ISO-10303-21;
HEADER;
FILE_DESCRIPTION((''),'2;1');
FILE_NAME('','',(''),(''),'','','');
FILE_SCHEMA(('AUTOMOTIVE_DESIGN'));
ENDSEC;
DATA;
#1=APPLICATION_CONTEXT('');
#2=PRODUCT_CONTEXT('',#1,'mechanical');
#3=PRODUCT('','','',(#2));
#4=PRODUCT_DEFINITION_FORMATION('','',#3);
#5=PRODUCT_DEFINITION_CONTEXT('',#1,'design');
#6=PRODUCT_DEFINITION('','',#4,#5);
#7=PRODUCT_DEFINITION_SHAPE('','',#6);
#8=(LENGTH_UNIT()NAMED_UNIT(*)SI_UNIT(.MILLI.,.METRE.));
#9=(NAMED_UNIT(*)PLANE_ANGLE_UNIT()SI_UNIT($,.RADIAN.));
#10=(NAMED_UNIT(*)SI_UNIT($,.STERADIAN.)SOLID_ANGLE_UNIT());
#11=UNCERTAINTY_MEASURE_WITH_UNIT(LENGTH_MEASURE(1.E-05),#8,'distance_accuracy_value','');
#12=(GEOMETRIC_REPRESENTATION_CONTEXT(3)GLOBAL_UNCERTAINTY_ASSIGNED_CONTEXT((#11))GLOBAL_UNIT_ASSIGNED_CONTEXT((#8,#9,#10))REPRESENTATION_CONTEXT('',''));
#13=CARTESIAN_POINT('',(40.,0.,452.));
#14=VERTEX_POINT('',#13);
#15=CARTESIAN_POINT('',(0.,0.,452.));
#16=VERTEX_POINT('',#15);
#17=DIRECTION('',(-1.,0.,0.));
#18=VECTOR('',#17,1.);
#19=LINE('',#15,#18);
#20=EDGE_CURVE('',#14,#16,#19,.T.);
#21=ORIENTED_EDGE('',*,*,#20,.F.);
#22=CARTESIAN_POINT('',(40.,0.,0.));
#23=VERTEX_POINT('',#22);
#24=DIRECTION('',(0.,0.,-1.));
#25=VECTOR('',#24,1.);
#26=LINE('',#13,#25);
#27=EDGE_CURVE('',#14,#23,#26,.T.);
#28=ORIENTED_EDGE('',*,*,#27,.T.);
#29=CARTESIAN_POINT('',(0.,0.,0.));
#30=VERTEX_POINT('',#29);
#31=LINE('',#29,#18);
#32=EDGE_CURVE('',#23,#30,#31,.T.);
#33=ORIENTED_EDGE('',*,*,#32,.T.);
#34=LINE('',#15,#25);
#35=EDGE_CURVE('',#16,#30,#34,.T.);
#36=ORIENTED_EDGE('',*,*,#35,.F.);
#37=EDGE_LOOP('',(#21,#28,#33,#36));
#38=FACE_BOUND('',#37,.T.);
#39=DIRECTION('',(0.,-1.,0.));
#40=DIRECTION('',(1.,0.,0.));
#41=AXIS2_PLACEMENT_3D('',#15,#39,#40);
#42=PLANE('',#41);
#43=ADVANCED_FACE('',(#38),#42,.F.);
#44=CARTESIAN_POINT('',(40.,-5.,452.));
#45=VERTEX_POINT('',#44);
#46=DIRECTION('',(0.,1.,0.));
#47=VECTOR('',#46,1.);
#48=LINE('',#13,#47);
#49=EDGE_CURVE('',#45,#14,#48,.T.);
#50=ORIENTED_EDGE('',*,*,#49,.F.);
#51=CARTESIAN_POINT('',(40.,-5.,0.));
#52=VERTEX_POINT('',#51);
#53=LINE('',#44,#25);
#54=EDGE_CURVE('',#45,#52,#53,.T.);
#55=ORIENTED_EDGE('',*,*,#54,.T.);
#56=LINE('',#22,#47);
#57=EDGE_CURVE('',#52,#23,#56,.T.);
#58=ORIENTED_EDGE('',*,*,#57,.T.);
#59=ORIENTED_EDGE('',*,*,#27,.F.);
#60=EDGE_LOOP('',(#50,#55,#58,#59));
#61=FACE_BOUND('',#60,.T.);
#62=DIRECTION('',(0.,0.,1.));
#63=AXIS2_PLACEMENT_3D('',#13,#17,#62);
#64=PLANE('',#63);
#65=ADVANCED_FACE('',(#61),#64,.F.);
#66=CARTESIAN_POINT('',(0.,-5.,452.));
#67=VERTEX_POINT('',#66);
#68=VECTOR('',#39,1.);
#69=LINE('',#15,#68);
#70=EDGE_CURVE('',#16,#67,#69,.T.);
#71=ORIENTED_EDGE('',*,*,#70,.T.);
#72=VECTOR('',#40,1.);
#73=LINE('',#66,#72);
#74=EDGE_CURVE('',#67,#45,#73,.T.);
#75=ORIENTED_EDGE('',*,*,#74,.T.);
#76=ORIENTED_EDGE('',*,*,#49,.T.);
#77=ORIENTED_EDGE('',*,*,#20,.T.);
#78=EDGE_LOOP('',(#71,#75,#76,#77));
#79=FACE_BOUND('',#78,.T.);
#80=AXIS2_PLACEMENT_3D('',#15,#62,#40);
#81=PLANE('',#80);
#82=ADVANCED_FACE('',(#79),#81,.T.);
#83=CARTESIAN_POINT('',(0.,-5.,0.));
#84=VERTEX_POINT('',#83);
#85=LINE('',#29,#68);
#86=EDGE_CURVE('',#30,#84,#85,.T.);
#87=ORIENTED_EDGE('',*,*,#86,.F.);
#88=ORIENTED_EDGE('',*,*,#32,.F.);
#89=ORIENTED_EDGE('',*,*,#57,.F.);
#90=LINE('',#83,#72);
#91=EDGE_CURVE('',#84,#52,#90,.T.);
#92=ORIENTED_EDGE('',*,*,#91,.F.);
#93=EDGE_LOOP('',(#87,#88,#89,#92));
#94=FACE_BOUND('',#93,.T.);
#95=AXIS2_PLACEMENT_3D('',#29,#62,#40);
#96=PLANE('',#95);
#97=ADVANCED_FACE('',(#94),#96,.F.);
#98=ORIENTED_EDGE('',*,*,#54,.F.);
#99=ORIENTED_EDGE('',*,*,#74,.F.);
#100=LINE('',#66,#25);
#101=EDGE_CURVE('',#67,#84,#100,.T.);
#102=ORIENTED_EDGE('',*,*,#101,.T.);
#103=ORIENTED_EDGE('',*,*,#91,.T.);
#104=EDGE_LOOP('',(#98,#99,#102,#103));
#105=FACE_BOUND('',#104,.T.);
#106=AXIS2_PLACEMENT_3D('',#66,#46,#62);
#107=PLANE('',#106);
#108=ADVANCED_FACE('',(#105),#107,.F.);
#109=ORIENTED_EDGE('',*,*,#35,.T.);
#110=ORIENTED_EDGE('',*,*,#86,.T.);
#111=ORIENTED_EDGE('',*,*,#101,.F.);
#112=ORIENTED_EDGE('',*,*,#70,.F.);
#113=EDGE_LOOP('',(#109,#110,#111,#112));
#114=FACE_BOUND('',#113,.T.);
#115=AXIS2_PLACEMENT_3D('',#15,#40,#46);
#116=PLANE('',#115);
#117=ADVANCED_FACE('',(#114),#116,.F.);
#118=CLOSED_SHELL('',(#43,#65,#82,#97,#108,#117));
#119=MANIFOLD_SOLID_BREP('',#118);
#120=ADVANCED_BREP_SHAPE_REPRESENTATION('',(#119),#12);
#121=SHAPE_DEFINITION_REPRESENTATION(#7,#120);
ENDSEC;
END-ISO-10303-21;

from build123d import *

# Parameters (mm, degrees)
SKETCH_1_W      = 40
SKETCH_1_H      = 5
EXTRUDE_1_DEPTH = 452


with BuildPart() as part:
    # Эскиз1 → Бобышка-Вытянуть1 (new body)
    with BuildSketch(Plane.XY):
        with Locations((20, -2.5)):
            Rectangle(SKETCH_1_W, SKETCH_1_H)
    extrude(amount=EXTRUDE_1_DEPTH)


solid = part.part
